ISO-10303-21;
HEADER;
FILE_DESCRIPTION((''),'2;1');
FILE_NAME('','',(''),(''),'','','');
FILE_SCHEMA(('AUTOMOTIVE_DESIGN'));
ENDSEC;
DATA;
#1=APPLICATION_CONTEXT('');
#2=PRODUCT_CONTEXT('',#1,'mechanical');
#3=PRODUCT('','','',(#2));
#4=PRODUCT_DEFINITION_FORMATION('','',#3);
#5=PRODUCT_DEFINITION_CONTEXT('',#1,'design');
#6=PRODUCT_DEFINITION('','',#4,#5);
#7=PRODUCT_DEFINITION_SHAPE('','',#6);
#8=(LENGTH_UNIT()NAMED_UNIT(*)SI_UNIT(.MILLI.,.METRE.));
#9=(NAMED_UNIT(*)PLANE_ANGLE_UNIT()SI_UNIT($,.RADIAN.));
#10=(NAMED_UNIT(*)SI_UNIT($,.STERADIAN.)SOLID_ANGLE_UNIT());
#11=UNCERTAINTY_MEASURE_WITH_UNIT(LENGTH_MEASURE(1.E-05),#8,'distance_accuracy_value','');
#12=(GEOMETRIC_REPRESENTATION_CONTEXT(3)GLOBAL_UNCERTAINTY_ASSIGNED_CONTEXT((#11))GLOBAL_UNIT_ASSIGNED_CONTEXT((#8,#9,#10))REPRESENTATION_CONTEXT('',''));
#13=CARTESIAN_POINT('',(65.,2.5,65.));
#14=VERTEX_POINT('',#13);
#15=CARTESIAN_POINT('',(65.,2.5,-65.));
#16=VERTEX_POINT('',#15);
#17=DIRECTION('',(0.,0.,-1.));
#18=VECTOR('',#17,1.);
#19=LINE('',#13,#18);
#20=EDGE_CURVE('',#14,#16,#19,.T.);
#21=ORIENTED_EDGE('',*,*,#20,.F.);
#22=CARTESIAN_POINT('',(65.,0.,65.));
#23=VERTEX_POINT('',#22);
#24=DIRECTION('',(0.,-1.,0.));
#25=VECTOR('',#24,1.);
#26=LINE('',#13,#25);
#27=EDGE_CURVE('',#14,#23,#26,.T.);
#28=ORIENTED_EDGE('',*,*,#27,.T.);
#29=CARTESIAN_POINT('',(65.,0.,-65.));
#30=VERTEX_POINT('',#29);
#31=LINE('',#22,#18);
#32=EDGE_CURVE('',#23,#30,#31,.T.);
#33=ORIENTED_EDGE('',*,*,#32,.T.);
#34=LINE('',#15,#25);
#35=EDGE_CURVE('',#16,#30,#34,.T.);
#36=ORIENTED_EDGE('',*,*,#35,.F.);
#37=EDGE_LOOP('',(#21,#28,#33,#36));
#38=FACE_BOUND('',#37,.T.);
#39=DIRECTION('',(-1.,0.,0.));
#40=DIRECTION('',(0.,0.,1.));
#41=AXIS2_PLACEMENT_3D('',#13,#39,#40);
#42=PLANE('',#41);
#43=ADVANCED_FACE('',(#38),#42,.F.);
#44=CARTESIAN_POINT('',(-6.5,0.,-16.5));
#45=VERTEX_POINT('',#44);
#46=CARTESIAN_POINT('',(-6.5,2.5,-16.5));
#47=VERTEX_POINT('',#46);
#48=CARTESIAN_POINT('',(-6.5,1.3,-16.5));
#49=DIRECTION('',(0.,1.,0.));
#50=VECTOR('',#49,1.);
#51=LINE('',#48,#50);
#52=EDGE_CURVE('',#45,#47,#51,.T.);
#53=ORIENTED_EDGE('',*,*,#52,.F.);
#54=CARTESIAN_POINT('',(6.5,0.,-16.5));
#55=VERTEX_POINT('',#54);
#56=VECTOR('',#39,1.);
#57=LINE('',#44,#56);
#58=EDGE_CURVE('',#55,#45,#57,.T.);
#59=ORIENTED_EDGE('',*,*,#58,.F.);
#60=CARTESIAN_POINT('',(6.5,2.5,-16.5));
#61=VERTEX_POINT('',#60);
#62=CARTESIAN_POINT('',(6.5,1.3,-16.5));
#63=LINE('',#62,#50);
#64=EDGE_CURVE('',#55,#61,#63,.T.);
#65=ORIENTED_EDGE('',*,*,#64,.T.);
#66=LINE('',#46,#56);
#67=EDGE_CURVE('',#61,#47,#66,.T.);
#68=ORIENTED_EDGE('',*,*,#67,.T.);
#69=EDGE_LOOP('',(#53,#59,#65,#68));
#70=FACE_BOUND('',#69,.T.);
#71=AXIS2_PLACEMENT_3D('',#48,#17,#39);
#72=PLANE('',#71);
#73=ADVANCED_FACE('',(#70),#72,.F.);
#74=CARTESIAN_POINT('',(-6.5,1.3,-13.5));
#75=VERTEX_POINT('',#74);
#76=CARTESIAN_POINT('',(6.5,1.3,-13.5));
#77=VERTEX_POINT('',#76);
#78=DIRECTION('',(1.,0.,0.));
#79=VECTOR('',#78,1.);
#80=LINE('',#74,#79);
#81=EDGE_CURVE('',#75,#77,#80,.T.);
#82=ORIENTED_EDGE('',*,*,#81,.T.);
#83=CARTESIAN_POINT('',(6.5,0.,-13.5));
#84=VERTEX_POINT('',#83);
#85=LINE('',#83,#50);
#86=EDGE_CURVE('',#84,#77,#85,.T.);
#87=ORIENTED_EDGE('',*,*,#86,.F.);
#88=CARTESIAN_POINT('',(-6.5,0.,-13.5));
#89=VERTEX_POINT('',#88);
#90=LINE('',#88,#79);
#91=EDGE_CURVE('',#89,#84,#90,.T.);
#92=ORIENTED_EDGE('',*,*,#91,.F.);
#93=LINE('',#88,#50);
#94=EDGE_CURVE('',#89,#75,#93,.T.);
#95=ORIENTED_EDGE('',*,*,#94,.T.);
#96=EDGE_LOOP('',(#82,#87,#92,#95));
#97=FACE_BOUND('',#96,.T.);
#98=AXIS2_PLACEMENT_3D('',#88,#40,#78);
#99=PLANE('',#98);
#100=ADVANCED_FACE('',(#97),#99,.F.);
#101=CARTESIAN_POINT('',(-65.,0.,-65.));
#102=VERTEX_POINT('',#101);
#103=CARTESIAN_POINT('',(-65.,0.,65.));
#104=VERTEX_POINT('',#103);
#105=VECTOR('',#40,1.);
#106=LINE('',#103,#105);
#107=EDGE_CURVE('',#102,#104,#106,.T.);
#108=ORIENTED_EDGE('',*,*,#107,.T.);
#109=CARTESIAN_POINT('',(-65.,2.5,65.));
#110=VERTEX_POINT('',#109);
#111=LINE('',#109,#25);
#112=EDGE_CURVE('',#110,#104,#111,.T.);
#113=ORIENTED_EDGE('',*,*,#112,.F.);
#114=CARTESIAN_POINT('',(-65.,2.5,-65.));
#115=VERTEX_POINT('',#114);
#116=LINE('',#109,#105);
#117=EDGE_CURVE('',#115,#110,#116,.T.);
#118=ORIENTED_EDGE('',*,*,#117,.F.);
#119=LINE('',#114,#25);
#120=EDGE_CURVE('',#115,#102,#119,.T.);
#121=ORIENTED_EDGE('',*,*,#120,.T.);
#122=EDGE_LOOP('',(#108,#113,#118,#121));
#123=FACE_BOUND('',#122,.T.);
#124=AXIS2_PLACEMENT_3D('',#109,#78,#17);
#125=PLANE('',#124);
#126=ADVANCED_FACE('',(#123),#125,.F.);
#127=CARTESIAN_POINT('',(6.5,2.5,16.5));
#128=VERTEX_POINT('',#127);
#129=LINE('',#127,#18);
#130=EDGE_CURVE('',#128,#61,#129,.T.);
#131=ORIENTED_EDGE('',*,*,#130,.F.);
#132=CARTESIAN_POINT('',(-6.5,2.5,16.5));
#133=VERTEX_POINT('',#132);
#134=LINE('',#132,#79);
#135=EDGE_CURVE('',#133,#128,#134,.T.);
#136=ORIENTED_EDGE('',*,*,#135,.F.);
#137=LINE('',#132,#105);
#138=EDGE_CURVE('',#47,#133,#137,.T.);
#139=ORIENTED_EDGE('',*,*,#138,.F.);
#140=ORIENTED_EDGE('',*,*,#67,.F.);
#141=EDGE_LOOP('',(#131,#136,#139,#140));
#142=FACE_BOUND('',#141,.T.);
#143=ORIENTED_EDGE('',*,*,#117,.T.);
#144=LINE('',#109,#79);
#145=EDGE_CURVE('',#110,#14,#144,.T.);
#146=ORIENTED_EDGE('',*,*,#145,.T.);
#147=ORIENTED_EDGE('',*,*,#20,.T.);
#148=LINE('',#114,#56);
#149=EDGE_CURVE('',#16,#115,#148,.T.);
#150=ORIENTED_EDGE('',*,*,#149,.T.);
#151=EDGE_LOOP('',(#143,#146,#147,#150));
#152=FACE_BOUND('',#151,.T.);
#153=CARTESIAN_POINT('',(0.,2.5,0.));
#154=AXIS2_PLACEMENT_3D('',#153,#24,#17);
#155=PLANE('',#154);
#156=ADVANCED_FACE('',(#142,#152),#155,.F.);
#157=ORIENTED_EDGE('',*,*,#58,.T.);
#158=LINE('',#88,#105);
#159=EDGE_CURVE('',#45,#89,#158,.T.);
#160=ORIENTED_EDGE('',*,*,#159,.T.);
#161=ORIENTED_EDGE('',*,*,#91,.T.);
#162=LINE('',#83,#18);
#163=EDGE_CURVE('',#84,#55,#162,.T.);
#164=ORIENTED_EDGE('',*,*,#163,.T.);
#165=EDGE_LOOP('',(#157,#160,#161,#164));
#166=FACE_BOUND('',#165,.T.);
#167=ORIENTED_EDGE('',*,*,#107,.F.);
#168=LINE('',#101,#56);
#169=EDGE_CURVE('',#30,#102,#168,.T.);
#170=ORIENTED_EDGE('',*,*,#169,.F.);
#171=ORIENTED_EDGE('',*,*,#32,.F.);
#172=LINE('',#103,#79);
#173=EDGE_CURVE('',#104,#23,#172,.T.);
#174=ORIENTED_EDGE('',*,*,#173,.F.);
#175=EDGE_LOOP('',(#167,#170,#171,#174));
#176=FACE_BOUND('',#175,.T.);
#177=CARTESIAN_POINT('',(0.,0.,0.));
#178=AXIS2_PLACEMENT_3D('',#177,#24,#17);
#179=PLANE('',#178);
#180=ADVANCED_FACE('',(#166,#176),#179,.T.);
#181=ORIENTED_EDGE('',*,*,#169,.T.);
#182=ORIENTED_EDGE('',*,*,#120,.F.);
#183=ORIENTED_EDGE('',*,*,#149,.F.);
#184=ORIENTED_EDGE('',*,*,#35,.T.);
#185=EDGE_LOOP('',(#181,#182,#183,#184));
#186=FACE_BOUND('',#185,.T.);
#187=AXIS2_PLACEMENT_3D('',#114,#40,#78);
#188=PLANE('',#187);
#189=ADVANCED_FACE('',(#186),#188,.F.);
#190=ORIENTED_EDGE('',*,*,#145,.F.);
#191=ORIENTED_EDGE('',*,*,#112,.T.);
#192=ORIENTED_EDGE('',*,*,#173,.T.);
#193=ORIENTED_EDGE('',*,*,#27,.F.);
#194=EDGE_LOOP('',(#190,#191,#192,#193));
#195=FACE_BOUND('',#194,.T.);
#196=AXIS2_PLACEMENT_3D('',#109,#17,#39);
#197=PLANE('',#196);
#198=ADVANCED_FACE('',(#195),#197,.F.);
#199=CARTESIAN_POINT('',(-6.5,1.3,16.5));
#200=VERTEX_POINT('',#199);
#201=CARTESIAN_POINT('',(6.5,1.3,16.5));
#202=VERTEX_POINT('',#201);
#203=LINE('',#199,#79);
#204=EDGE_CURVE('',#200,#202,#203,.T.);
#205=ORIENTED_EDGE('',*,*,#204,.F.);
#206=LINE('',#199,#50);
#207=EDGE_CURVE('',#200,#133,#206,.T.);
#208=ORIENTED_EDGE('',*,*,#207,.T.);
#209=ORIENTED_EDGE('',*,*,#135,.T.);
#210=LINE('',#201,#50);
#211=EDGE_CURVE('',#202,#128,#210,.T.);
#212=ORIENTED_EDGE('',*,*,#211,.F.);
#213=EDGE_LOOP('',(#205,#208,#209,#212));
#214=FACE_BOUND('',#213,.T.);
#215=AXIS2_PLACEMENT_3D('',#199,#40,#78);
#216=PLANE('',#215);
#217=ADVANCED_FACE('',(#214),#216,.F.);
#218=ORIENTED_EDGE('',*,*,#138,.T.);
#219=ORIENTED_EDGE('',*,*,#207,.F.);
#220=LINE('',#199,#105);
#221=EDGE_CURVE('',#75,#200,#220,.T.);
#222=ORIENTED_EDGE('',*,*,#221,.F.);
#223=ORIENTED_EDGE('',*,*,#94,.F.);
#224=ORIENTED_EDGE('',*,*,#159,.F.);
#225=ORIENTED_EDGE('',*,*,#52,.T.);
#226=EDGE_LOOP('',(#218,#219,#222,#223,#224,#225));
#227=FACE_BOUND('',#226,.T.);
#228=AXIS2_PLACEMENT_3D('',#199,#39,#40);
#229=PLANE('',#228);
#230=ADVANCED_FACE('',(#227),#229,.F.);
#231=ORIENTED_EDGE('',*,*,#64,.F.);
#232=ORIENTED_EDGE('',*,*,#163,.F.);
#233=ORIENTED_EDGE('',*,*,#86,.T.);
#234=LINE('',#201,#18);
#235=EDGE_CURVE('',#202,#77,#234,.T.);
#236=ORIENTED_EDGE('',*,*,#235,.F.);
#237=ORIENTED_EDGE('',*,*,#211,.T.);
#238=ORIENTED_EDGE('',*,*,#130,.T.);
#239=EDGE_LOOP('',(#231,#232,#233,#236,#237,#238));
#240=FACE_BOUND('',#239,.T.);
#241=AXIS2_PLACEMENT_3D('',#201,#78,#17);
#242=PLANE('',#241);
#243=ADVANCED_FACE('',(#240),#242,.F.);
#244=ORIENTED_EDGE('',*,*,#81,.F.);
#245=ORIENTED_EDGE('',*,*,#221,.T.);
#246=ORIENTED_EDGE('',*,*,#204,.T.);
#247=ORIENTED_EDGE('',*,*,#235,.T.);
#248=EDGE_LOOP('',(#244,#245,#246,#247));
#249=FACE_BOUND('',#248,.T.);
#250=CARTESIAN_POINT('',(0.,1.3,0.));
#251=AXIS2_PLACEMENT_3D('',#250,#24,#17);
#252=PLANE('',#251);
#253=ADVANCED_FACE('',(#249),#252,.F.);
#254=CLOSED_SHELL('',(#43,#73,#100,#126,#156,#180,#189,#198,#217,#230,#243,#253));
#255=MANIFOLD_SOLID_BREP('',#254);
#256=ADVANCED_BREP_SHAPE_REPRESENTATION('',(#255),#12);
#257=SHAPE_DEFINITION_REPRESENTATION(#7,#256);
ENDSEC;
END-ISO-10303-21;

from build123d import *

# Parameters (mm, degrees)
SKETCH2_W           = 130
SKETCH2_H           = 130
BOSS_EXTRUDE1_DEPTH = 2.5
SKETCH3_W           = 13
SKETCH3_H           = 33
CUT_EXTRUDE1_DEPTH  = 1.2
SKETCH4_W           = 13
SKETCH4_H           = 3
CUT_EXTRUDE2_DEPTH  = 2.3


with BuildPart() as part:
    # Sketch2 → Boss-Extrude1 (new body)
    with BuildSketch(Plane(origin=(0, 0, 0), x_dir=(1, 0, 0), z_dir=(0, 1, 0))):
        Rectangle(SKETCH2_W, SKETCH2_H)
    extrude(amount=BOSS_EXTRUDE1_DEPTH)

    # Sketch3 → Cut-Extrude1 (cut)
    with BuildSketch(Plane(origin=(0, 2.5, 0), x_dir=(1, 0, 0), z_dir=(0, 1, 0))):
        Rectangle(SKETCH3_W, SKETCH3_H)
    extrude(amount=-CUT_EXTRUDE1_DEPTH, mode=Mode.SUBTRACT)

    # Sketch4 → Cut-Extrude2 (cut, through all)
    with BuildSketch(Plane(origin=(0, 1.3, 0), x_dir=(1, 0, 0), z_dir=(0, 1, 0))):
        with Locations((0, 15)):
            Rectangle(SKETCH4_W, SKETCH4_H)
    extrude(amount=-CUT_EXTRUDE2_DEPTH, mode=Mode.SUBTRACT)


solid = part.part
